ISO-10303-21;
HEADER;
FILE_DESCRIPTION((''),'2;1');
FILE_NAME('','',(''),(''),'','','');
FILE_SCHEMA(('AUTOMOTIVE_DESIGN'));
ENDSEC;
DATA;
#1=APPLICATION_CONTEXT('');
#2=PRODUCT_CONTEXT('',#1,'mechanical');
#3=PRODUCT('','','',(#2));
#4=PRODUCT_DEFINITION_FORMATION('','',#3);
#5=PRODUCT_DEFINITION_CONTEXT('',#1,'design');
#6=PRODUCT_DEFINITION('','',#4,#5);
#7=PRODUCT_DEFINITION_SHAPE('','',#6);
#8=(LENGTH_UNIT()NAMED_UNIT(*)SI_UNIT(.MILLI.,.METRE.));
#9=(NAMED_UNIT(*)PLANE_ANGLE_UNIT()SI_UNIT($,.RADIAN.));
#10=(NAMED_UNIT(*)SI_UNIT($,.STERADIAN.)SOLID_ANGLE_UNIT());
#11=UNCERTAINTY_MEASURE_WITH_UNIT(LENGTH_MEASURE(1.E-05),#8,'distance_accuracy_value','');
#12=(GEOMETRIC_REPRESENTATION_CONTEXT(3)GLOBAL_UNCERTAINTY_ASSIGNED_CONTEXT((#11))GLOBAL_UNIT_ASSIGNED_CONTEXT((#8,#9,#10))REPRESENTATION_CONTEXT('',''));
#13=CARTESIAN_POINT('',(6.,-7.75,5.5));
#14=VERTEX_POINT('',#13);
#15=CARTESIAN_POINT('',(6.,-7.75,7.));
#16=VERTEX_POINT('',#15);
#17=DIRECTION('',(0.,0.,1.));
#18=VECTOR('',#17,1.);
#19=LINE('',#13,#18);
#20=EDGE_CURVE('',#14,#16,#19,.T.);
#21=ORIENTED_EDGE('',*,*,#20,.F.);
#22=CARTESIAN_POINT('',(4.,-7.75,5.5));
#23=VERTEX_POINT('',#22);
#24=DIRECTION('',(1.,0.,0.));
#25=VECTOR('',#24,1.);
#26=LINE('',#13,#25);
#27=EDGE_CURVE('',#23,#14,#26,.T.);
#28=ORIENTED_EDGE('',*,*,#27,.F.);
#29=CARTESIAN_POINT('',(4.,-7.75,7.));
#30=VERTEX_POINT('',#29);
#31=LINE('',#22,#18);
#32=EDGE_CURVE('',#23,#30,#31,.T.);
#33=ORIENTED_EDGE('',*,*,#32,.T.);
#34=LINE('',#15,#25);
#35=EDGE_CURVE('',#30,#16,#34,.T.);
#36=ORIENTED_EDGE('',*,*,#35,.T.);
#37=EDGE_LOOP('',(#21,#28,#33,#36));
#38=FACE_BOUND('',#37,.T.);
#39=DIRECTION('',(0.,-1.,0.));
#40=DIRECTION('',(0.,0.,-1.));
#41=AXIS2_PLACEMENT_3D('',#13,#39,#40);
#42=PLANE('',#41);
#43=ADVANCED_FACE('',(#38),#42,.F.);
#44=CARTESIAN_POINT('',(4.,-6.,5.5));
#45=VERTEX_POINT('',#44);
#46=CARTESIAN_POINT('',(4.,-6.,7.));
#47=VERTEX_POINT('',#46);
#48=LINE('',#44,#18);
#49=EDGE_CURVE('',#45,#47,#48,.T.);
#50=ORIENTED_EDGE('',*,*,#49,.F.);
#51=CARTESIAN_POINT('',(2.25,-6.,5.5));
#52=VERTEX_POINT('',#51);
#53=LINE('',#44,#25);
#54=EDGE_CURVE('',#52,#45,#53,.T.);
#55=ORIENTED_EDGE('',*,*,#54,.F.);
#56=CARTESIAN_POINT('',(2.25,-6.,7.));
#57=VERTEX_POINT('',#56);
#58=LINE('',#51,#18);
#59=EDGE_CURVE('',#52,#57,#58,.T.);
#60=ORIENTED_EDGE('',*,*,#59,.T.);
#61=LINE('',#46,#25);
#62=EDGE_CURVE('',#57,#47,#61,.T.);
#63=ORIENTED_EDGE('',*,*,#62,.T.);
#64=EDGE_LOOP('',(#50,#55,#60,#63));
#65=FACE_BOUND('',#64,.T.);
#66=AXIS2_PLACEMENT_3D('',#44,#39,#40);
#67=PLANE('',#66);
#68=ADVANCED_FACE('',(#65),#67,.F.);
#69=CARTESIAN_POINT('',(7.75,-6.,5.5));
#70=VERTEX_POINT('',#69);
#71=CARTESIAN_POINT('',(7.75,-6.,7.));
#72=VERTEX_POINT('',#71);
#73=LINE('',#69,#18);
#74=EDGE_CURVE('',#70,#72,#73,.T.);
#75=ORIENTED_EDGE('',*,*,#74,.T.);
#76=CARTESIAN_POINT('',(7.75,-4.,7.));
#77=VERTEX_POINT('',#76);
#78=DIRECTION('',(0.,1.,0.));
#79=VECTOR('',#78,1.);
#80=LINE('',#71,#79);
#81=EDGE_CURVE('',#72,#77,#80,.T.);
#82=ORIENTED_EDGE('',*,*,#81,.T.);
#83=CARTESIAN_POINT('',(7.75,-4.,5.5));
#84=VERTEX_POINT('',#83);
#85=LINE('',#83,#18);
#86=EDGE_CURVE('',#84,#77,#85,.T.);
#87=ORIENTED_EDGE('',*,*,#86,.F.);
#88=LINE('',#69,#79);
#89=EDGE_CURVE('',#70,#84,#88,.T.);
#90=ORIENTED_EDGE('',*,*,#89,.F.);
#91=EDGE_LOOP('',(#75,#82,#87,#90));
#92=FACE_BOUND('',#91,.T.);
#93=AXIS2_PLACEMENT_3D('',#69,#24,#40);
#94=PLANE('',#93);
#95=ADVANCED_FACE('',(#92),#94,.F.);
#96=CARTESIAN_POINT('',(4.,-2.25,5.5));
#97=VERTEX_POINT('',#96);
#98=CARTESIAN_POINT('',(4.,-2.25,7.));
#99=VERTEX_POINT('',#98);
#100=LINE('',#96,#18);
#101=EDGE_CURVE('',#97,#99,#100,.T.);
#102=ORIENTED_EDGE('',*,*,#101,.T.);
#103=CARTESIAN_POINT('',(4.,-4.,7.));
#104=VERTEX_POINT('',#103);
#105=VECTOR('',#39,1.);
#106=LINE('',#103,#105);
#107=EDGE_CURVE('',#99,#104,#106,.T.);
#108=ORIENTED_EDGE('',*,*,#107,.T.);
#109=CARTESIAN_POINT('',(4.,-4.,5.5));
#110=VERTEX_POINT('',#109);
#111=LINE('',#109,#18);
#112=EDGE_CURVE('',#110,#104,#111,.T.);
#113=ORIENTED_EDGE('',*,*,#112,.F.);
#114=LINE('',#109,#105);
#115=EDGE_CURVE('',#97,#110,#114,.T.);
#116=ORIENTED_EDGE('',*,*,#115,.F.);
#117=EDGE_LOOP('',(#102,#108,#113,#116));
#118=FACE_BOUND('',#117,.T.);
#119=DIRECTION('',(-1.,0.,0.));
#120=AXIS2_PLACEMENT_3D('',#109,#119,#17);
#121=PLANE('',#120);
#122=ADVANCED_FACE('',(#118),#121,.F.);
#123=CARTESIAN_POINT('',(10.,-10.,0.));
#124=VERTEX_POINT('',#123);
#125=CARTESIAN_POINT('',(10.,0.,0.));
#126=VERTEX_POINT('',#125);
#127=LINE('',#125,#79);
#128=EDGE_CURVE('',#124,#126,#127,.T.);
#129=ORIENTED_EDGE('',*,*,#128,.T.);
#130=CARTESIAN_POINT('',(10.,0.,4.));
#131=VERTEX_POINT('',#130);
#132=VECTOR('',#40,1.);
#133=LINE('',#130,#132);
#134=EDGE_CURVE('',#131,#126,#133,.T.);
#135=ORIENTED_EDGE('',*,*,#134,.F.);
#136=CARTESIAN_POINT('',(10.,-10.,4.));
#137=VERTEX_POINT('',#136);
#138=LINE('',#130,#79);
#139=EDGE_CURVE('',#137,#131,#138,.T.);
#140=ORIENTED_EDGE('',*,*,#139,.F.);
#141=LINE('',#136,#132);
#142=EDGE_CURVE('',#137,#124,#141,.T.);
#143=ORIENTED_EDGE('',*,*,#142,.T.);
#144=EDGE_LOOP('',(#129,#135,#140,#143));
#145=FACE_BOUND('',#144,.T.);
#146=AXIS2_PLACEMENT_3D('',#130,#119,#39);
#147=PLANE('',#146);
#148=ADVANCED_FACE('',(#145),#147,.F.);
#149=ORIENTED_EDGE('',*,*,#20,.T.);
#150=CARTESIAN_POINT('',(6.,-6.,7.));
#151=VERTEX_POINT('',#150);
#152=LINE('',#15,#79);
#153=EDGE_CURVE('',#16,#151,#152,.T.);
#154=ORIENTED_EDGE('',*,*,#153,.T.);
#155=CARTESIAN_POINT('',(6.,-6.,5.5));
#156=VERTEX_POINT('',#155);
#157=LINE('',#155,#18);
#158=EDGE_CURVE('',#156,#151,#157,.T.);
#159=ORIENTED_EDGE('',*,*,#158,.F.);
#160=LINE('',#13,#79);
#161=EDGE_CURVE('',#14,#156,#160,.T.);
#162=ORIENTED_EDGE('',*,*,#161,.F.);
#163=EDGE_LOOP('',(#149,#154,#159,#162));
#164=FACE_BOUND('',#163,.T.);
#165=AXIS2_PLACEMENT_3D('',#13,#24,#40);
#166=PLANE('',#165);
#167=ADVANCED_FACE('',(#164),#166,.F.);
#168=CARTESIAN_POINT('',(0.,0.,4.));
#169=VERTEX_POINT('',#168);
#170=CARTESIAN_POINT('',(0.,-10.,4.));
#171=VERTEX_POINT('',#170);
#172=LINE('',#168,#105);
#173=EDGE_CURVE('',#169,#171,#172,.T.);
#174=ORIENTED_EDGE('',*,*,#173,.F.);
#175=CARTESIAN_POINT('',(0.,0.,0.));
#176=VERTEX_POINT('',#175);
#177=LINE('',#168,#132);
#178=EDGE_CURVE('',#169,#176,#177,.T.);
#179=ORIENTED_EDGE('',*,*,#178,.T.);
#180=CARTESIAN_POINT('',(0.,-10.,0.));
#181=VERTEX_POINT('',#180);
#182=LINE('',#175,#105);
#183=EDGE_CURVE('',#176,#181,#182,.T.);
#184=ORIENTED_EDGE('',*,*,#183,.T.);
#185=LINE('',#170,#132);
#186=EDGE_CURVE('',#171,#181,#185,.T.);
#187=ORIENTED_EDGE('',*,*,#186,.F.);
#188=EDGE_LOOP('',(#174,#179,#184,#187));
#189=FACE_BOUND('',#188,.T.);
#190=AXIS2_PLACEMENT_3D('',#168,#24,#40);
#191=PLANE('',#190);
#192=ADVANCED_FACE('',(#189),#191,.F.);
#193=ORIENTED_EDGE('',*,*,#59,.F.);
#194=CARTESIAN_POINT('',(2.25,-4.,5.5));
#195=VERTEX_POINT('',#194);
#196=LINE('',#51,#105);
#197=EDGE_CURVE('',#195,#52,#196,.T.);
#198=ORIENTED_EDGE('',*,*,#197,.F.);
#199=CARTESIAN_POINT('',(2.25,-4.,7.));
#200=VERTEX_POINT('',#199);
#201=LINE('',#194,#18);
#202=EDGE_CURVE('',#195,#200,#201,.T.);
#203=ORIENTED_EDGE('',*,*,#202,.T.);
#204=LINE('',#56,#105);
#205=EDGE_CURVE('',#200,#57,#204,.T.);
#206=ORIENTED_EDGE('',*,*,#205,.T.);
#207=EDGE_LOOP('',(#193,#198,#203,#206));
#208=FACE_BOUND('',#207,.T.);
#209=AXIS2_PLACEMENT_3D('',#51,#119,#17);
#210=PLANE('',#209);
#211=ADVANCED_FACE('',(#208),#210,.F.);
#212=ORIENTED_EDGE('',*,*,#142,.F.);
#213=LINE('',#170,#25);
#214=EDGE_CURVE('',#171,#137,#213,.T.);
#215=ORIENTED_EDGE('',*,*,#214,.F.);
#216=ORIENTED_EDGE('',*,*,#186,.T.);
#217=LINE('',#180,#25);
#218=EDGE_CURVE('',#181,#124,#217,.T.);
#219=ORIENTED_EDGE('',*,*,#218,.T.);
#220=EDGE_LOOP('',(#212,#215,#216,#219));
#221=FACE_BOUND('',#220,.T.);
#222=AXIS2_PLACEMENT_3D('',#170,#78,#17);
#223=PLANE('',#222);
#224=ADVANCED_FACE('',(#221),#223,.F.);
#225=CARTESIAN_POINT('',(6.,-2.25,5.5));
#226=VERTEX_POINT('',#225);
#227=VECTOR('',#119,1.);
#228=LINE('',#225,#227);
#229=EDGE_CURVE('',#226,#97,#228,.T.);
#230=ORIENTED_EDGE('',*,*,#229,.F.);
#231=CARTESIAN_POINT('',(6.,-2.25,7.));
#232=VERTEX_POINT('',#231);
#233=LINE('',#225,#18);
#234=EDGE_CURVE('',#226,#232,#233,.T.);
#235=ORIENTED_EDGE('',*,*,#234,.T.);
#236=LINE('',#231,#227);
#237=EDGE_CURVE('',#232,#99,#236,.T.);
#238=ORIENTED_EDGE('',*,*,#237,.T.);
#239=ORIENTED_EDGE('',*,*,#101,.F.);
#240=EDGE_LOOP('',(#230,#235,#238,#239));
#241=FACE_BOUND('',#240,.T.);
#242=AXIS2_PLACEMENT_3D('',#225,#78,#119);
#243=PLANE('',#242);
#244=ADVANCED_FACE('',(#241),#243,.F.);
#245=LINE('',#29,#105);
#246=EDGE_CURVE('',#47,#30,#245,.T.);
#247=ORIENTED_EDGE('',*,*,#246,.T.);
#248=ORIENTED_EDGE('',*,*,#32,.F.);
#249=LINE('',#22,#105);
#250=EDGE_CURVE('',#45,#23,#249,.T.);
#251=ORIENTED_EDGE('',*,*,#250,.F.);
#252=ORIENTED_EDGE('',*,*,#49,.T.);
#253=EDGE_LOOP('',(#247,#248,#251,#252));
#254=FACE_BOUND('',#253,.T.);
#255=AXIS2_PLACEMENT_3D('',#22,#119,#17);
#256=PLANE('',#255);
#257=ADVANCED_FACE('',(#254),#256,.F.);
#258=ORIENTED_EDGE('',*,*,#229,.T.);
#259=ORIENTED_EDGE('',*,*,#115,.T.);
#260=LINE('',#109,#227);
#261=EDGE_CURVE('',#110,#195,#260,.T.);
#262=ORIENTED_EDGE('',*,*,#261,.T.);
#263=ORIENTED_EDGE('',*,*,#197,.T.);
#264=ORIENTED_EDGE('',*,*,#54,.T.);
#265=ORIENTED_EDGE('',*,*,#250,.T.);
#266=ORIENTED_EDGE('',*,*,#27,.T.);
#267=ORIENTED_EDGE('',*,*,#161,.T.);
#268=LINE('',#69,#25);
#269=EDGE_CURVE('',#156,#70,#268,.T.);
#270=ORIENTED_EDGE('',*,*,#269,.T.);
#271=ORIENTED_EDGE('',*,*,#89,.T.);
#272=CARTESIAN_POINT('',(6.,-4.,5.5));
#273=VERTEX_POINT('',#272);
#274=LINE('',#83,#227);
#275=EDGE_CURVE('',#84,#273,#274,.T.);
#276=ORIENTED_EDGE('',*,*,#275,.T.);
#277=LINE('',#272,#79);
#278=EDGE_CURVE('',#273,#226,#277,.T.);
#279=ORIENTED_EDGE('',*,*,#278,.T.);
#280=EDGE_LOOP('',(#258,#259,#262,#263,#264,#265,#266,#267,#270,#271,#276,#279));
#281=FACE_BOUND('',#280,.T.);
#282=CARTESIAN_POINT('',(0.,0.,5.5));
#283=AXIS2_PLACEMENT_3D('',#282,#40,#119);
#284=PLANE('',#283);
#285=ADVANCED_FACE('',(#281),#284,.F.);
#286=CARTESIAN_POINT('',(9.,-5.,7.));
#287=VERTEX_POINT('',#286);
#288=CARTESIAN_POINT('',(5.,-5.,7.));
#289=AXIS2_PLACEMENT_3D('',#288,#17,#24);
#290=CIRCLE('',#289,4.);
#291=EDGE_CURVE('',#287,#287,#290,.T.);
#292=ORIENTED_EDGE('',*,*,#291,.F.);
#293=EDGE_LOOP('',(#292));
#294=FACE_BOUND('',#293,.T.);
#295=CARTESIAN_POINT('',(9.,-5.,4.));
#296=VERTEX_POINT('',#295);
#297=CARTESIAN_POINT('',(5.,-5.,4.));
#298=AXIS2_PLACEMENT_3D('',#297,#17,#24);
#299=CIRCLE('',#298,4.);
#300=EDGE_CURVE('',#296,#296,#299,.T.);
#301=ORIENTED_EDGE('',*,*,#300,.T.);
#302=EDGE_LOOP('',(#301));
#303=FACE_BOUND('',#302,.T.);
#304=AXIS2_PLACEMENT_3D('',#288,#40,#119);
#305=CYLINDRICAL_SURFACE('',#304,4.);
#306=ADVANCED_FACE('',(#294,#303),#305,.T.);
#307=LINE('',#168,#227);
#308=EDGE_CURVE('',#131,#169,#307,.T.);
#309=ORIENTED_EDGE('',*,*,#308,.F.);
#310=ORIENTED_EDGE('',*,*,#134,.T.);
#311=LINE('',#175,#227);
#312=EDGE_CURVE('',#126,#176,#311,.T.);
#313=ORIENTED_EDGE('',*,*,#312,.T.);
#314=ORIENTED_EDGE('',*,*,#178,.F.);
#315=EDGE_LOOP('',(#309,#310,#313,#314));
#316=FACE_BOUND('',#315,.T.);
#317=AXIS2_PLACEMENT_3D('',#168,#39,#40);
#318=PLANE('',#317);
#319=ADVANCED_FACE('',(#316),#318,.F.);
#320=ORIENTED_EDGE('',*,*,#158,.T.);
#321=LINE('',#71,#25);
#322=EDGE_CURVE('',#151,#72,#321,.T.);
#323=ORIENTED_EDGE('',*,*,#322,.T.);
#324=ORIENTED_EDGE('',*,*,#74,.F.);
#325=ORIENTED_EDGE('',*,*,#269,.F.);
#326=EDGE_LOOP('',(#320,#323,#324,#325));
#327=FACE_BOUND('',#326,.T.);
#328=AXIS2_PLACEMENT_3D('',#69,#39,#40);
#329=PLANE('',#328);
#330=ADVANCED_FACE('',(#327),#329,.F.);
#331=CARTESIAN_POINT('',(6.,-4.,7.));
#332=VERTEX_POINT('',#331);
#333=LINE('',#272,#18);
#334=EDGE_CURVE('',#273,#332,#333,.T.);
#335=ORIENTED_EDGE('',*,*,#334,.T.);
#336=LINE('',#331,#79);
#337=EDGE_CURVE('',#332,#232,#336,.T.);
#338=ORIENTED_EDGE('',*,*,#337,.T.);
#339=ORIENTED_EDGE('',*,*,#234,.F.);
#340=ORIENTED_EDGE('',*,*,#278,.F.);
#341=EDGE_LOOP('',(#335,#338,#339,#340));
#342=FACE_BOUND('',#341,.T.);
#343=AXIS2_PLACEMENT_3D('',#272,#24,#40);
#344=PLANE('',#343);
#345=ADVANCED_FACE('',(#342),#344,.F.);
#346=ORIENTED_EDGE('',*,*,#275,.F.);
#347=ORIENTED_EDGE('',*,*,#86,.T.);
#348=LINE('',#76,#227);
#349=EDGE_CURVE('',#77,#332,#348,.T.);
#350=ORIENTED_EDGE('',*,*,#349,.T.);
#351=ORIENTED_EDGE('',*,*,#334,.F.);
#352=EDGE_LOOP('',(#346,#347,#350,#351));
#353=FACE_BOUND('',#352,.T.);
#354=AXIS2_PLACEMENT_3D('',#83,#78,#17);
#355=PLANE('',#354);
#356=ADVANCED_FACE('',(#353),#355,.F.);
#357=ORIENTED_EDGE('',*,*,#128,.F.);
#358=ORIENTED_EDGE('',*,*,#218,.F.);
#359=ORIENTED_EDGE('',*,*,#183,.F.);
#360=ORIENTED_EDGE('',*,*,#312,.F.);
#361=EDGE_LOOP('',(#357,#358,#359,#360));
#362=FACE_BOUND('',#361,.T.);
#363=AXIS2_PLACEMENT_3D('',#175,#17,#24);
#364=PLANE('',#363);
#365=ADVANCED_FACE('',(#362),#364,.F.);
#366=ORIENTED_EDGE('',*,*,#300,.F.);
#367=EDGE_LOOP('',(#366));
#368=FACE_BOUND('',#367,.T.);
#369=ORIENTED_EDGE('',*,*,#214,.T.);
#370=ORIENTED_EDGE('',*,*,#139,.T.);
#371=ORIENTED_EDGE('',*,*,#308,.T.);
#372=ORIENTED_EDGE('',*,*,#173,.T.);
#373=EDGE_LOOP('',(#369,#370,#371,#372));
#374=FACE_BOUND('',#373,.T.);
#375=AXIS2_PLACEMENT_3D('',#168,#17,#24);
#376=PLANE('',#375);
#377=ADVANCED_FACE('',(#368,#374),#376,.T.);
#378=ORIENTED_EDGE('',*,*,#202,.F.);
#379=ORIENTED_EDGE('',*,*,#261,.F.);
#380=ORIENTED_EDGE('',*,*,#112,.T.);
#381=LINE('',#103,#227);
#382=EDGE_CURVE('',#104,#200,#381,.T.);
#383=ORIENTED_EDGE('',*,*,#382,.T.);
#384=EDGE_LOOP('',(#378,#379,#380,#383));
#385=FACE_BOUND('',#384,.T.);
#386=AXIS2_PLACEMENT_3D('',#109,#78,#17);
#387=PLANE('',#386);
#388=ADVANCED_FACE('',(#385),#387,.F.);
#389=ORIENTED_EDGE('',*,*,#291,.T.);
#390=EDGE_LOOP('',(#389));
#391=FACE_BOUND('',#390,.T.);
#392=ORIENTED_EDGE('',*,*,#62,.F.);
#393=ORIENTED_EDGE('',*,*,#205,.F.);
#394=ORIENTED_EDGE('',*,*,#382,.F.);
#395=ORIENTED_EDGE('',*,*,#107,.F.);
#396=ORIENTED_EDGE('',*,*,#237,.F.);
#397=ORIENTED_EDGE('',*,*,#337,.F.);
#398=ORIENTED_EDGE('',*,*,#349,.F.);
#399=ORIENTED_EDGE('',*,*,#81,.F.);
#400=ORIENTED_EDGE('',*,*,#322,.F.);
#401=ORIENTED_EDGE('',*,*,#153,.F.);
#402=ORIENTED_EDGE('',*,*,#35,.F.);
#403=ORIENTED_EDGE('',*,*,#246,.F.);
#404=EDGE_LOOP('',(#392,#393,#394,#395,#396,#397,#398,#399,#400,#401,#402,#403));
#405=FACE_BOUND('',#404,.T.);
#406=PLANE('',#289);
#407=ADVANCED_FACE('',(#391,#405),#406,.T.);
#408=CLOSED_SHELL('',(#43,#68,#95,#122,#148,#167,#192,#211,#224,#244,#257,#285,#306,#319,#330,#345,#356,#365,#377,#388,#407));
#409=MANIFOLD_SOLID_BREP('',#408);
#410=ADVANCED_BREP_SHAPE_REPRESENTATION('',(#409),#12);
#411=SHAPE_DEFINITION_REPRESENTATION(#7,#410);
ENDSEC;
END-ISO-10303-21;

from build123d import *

# Parameters (mm, degrees)
SKETCH1_W           = 10
SKETCH1_H           = 10
BOSS_EXTRUDE1_DEPTH = 4
SKETCH2_R           = 4
BOSS_EXTRUDE2_DEPTH = 3
CUT_EXTRUDE1_DEPTH  = 1.5


with BuildPart() as part:
    # Sketch1 → Boss-Extrude1 (new body)
    with BuildSketch(Plane.XY):
        with Locations((5, -5)):
            Rectangle(SKETCH1_W, SKETCH1_H)
    extrude(amount=BOSS_EXTRUDE1_DEPTH)

    # Sketch2 → Boss-Extrude2 (add)
    with BuildSketch(Plane.XY.offset(4)):
        with Locations((5, -5)):
            Circle(SKETCH2_R)
    extrude(amount=BOSS_EXTRUDE2_DEPTH)

    # Sketch3 → Cut-Extrude1 (cut)
    with BuildSketch(Plane.XY.offset(7)):
        Polygon((4, -4), (4, -2.25), (6, -2.25), (6, -4), (7.75, -4), (7.75, -6), (6, -6), (6, -7.75), (4, -7.75), (4, -6), (2.25, -6), (2.25, -4), align=None)
    extrude(amount=-CUT_EXTRUDE1_DEPTH, mode=Mode.SUBTRACT)


solid = part.part
